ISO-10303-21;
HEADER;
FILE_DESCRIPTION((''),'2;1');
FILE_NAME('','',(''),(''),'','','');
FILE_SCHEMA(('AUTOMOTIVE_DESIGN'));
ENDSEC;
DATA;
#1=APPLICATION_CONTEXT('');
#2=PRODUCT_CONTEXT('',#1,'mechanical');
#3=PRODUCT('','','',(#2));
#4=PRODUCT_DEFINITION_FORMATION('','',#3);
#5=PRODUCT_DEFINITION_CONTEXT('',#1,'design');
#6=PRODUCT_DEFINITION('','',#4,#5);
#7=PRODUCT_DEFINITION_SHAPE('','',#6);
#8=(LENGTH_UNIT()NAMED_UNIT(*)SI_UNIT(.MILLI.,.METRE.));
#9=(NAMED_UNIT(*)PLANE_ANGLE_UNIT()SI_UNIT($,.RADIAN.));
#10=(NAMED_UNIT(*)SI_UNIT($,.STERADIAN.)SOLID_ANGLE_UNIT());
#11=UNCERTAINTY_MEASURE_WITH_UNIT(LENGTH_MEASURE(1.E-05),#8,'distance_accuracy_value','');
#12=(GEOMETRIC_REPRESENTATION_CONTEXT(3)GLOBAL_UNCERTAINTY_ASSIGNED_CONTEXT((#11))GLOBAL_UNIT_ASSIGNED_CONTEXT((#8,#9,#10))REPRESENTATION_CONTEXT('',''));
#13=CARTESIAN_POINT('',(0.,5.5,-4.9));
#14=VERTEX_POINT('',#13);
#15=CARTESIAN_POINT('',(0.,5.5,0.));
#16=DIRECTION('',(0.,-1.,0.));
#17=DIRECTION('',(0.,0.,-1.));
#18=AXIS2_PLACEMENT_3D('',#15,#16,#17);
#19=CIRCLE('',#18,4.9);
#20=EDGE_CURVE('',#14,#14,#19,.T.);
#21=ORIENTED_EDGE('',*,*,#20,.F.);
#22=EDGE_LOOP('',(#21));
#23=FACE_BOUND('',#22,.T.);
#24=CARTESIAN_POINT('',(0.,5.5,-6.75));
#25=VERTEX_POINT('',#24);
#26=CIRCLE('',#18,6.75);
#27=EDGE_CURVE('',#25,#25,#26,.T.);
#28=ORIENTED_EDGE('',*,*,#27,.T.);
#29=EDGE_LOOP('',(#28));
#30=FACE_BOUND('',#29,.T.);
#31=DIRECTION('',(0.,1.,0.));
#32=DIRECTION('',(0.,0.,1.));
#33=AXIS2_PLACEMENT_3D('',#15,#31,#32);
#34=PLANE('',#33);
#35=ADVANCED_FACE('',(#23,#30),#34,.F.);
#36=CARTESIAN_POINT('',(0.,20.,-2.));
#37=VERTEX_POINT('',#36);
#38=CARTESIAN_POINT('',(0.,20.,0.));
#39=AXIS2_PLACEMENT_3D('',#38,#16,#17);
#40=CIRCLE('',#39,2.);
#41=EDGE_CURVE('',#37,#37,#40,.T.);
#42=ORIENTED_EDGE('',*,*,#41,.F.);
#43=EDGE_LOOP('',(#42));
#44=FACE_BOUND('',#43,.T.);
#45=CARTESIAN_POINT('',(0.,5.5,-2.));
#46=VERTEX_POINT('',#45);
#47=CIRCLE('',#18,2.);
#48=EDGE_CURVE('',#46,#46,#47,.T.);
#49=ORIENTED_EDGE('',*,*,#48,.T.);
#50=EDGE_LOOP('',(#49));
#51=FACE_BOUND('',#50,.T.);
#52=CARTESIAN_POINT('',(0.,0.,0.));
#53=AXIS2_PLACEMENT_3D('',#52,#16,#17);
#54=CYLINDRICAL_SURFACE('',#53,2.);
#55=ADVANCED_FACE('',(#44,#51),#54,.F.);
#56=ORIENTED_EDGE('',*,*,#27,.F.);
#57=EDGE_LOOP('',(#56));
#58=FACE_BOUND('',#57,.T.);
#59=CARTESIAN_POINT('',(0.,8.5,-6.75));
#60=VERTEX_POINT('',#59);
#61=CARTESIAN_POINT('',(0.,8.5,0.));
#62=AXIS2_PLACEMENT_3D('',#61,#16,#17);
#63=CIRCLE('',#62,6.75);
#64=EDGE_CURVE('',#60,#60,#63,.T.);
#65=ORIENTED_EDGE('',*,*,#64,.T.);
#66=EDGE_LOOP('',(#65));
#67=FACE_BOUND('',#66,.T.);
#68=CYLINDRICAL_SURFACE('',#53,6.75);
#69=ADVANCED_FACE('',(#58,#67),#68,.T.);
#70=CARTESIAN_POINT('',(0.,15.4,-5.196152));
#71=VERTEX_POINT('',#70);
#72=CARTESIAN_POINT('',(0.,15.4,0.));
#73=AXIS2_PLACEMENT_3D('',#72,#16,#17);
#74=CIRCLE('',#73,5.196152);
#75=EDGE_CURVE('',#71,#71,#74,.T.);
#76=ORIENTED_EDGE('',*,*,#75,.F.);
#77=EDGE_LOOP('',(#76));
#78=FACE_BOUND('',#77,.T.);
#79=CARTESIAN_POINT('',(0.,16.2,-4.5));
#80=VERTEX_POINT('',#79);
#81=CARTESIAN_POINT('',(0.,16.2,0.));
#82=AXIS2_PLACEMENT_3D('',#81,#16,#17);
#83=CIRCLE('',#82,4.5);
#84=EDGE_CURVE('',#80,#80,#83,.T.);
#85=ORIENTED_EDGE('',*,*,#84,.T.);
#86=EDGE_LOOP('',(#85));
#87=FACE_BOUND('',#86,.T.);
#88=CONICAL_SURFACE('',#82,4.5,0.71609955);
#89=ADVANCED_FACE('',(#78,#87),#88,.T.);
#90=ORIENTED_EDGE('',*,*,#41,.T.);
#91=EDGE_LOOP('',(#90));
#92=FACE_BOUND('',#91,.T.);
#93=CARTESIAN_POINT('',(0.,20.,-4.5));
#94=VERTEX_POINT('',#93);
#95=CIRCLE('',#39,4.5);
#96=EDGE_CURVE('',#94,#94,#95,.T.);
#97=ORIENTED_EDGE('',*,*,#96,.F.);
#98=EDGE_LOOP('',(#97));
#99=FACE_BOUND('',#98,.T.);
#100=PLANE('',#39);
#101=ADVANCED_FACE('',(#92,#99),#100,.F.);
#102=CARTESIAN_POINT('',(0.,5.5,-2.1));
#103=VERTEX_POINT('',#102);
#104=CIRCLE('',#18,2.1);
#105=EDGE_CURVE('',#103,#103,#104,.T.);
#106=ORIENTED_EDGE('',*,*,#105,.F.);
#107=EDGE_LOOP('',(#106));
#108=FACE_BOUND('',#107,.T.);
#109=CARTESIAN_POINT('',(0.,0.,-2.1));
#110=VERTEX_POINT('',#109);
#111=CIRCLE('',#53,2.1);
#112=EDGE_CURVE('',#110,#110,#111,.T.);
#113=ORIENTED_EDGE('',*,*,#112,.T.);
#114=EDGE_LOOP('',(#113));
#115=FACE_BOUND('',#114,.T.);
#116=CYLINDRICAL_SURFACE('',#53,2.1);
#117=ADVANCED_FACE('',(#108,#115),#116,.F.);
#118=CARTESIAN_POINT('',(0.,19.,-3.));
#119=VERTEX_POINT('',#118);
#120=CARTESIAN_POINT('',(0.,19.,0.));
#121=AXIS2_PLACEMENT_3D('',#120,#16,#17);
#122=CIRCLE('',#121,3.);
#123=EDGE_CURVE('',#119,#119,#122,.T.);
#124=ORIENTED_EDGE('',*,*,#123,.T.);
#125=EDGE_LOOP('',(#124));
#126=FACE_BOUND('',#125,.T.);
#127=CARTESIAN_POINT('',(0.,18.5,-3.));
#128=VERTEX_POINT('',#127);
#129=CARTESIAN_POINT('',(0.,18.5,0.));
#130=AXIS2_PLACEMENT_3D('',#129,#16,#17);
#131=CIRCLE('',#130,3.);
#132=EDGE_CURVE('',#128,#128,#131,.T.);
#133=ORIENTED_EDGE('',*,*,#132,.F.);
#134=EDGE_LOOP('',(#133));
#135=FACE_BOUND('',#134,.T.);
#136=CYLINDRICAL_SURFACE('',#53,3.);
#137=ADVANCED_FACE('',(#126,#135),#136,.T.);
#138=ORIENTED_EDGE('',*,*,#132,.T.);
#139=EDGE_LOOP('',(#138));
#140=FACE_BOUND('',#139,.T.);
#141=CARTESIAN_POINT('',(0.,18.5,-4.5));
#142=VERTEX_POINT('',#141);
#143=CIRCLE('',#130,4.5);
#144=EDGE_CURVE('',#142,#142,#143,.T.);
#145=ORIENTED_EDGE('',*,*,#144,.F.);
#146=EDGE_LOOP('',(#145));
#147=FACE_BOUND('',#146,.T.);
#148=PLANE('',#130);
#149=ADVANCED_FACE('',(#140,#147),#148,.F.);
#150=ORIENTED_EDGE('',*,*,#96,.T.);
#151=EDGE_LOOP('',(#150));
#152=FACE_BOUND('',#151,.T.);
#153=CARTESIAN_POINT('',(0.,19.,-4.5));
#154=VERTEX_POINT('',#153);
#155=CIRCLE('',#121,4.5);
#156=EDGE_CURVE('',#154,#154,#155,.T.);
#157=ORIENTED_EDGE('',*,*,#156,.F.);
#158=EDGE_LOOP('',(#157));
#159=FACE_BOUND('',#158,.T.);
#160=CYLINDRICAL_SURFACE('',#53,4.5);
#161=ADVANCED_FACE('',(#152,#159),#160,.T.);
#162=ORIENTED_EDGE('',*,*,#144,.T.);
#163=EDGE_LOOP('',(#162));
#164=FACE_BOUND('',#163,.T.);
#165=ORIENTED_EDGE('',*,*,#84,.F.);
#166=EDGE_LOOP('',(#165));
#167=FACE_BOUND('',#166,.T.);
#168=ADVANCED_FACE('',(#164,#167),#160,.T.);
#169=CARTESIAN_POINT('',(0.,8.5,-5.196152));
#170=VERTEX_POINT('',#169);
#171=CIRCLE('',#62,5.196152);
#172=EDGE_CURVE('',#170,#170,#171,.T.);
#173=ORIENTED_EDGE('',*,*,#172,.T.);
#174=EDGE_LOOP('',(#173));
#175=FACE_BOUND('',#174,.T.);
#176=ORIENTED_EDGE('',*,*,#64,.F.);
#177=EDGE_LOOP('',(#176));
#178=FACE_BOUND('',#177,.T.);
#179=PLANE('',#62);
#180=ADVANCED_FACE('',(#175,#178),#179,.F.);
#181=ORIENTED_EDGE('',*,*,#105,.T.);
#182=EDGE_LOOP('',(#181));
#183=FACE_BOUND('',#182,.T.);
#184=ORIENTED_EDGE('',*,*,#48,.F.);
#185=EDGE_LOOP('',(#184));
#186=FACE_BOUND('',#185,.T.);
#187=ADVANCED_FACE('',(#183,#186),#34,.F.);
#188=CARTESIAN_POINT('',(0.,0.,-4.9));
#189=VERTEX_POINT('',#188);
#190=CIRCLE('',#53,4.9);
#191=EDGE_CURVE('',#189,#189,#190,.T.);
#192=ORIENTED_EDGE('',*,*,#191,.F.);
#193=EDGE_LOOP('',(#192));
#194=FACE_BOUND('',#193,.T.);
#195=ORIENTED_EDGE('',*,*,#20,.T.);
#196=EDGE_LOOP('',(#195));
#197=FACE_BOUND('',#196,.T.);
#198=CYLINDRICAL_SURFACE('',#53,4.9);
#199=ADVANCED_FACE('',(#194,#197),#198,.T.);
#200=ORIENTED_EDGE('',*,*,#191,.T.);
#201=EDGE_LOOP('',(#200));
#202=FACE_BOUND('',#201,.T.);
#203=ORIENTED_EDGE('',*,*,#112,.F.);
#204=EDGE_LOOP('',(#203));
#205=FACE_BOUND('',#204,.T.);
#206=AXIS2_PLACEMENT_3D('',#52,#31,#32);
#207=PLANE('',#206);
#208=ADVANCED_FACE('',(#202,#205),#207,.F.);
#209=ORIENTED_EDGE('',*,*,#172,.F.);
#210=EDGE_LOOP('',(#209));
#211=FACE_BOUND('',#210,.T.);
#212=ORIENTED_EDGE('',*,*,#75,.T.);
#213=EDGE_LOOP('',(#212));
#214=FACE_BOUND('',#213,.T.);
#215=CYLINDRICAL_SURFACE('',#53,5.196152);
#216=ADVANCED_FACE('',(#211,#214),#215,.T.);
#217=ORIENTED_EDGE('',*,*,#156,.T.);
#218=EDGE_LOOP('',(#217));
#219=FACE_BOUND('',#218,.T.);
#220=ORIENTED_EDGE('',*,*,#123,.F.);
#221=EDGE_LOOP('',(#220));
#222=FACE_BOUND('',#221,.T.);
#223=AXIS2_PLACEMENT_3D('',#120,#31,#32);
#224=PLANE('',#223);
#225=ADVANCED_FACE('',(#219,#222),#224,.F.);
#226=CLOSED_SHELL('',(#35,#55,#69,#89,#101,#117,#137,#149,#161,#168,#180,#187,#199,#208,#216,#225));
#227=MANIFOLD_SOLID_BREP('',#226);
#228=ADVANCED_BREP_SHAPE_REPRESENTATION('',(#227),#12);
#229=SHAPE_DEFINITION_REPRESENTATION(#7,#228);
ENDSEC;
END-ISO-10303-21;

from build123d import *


with BuildPart() as part:
    # Эскиз1 → Повернуть1 (revolve)
    with BuildSketch(Plane.XY, mode=Mode.PRIVATE) as revolve_1_sk:
        Polygon((4.5, 20), (2, 20), (2, 5.5), (2.1, 5.5), (2.1, 0), (4.9, 0), (4.9, 5.5), (6.75, 5.5), (6.75, 8.5), (5.196152423, 8.5), (5.196152423, 15.4), (4.5, 16.2), (4.5, 18.5), (3, 18.5), (3, 19), (4.5, 19), align=None)
    revolve(revolve_1_sk.sketch.rotate(Axis((0, 0, 0), (0, 1, 0)), 90), axis=Axis((0, 0, 0), (0, 1, 0)))


solid = part.part
